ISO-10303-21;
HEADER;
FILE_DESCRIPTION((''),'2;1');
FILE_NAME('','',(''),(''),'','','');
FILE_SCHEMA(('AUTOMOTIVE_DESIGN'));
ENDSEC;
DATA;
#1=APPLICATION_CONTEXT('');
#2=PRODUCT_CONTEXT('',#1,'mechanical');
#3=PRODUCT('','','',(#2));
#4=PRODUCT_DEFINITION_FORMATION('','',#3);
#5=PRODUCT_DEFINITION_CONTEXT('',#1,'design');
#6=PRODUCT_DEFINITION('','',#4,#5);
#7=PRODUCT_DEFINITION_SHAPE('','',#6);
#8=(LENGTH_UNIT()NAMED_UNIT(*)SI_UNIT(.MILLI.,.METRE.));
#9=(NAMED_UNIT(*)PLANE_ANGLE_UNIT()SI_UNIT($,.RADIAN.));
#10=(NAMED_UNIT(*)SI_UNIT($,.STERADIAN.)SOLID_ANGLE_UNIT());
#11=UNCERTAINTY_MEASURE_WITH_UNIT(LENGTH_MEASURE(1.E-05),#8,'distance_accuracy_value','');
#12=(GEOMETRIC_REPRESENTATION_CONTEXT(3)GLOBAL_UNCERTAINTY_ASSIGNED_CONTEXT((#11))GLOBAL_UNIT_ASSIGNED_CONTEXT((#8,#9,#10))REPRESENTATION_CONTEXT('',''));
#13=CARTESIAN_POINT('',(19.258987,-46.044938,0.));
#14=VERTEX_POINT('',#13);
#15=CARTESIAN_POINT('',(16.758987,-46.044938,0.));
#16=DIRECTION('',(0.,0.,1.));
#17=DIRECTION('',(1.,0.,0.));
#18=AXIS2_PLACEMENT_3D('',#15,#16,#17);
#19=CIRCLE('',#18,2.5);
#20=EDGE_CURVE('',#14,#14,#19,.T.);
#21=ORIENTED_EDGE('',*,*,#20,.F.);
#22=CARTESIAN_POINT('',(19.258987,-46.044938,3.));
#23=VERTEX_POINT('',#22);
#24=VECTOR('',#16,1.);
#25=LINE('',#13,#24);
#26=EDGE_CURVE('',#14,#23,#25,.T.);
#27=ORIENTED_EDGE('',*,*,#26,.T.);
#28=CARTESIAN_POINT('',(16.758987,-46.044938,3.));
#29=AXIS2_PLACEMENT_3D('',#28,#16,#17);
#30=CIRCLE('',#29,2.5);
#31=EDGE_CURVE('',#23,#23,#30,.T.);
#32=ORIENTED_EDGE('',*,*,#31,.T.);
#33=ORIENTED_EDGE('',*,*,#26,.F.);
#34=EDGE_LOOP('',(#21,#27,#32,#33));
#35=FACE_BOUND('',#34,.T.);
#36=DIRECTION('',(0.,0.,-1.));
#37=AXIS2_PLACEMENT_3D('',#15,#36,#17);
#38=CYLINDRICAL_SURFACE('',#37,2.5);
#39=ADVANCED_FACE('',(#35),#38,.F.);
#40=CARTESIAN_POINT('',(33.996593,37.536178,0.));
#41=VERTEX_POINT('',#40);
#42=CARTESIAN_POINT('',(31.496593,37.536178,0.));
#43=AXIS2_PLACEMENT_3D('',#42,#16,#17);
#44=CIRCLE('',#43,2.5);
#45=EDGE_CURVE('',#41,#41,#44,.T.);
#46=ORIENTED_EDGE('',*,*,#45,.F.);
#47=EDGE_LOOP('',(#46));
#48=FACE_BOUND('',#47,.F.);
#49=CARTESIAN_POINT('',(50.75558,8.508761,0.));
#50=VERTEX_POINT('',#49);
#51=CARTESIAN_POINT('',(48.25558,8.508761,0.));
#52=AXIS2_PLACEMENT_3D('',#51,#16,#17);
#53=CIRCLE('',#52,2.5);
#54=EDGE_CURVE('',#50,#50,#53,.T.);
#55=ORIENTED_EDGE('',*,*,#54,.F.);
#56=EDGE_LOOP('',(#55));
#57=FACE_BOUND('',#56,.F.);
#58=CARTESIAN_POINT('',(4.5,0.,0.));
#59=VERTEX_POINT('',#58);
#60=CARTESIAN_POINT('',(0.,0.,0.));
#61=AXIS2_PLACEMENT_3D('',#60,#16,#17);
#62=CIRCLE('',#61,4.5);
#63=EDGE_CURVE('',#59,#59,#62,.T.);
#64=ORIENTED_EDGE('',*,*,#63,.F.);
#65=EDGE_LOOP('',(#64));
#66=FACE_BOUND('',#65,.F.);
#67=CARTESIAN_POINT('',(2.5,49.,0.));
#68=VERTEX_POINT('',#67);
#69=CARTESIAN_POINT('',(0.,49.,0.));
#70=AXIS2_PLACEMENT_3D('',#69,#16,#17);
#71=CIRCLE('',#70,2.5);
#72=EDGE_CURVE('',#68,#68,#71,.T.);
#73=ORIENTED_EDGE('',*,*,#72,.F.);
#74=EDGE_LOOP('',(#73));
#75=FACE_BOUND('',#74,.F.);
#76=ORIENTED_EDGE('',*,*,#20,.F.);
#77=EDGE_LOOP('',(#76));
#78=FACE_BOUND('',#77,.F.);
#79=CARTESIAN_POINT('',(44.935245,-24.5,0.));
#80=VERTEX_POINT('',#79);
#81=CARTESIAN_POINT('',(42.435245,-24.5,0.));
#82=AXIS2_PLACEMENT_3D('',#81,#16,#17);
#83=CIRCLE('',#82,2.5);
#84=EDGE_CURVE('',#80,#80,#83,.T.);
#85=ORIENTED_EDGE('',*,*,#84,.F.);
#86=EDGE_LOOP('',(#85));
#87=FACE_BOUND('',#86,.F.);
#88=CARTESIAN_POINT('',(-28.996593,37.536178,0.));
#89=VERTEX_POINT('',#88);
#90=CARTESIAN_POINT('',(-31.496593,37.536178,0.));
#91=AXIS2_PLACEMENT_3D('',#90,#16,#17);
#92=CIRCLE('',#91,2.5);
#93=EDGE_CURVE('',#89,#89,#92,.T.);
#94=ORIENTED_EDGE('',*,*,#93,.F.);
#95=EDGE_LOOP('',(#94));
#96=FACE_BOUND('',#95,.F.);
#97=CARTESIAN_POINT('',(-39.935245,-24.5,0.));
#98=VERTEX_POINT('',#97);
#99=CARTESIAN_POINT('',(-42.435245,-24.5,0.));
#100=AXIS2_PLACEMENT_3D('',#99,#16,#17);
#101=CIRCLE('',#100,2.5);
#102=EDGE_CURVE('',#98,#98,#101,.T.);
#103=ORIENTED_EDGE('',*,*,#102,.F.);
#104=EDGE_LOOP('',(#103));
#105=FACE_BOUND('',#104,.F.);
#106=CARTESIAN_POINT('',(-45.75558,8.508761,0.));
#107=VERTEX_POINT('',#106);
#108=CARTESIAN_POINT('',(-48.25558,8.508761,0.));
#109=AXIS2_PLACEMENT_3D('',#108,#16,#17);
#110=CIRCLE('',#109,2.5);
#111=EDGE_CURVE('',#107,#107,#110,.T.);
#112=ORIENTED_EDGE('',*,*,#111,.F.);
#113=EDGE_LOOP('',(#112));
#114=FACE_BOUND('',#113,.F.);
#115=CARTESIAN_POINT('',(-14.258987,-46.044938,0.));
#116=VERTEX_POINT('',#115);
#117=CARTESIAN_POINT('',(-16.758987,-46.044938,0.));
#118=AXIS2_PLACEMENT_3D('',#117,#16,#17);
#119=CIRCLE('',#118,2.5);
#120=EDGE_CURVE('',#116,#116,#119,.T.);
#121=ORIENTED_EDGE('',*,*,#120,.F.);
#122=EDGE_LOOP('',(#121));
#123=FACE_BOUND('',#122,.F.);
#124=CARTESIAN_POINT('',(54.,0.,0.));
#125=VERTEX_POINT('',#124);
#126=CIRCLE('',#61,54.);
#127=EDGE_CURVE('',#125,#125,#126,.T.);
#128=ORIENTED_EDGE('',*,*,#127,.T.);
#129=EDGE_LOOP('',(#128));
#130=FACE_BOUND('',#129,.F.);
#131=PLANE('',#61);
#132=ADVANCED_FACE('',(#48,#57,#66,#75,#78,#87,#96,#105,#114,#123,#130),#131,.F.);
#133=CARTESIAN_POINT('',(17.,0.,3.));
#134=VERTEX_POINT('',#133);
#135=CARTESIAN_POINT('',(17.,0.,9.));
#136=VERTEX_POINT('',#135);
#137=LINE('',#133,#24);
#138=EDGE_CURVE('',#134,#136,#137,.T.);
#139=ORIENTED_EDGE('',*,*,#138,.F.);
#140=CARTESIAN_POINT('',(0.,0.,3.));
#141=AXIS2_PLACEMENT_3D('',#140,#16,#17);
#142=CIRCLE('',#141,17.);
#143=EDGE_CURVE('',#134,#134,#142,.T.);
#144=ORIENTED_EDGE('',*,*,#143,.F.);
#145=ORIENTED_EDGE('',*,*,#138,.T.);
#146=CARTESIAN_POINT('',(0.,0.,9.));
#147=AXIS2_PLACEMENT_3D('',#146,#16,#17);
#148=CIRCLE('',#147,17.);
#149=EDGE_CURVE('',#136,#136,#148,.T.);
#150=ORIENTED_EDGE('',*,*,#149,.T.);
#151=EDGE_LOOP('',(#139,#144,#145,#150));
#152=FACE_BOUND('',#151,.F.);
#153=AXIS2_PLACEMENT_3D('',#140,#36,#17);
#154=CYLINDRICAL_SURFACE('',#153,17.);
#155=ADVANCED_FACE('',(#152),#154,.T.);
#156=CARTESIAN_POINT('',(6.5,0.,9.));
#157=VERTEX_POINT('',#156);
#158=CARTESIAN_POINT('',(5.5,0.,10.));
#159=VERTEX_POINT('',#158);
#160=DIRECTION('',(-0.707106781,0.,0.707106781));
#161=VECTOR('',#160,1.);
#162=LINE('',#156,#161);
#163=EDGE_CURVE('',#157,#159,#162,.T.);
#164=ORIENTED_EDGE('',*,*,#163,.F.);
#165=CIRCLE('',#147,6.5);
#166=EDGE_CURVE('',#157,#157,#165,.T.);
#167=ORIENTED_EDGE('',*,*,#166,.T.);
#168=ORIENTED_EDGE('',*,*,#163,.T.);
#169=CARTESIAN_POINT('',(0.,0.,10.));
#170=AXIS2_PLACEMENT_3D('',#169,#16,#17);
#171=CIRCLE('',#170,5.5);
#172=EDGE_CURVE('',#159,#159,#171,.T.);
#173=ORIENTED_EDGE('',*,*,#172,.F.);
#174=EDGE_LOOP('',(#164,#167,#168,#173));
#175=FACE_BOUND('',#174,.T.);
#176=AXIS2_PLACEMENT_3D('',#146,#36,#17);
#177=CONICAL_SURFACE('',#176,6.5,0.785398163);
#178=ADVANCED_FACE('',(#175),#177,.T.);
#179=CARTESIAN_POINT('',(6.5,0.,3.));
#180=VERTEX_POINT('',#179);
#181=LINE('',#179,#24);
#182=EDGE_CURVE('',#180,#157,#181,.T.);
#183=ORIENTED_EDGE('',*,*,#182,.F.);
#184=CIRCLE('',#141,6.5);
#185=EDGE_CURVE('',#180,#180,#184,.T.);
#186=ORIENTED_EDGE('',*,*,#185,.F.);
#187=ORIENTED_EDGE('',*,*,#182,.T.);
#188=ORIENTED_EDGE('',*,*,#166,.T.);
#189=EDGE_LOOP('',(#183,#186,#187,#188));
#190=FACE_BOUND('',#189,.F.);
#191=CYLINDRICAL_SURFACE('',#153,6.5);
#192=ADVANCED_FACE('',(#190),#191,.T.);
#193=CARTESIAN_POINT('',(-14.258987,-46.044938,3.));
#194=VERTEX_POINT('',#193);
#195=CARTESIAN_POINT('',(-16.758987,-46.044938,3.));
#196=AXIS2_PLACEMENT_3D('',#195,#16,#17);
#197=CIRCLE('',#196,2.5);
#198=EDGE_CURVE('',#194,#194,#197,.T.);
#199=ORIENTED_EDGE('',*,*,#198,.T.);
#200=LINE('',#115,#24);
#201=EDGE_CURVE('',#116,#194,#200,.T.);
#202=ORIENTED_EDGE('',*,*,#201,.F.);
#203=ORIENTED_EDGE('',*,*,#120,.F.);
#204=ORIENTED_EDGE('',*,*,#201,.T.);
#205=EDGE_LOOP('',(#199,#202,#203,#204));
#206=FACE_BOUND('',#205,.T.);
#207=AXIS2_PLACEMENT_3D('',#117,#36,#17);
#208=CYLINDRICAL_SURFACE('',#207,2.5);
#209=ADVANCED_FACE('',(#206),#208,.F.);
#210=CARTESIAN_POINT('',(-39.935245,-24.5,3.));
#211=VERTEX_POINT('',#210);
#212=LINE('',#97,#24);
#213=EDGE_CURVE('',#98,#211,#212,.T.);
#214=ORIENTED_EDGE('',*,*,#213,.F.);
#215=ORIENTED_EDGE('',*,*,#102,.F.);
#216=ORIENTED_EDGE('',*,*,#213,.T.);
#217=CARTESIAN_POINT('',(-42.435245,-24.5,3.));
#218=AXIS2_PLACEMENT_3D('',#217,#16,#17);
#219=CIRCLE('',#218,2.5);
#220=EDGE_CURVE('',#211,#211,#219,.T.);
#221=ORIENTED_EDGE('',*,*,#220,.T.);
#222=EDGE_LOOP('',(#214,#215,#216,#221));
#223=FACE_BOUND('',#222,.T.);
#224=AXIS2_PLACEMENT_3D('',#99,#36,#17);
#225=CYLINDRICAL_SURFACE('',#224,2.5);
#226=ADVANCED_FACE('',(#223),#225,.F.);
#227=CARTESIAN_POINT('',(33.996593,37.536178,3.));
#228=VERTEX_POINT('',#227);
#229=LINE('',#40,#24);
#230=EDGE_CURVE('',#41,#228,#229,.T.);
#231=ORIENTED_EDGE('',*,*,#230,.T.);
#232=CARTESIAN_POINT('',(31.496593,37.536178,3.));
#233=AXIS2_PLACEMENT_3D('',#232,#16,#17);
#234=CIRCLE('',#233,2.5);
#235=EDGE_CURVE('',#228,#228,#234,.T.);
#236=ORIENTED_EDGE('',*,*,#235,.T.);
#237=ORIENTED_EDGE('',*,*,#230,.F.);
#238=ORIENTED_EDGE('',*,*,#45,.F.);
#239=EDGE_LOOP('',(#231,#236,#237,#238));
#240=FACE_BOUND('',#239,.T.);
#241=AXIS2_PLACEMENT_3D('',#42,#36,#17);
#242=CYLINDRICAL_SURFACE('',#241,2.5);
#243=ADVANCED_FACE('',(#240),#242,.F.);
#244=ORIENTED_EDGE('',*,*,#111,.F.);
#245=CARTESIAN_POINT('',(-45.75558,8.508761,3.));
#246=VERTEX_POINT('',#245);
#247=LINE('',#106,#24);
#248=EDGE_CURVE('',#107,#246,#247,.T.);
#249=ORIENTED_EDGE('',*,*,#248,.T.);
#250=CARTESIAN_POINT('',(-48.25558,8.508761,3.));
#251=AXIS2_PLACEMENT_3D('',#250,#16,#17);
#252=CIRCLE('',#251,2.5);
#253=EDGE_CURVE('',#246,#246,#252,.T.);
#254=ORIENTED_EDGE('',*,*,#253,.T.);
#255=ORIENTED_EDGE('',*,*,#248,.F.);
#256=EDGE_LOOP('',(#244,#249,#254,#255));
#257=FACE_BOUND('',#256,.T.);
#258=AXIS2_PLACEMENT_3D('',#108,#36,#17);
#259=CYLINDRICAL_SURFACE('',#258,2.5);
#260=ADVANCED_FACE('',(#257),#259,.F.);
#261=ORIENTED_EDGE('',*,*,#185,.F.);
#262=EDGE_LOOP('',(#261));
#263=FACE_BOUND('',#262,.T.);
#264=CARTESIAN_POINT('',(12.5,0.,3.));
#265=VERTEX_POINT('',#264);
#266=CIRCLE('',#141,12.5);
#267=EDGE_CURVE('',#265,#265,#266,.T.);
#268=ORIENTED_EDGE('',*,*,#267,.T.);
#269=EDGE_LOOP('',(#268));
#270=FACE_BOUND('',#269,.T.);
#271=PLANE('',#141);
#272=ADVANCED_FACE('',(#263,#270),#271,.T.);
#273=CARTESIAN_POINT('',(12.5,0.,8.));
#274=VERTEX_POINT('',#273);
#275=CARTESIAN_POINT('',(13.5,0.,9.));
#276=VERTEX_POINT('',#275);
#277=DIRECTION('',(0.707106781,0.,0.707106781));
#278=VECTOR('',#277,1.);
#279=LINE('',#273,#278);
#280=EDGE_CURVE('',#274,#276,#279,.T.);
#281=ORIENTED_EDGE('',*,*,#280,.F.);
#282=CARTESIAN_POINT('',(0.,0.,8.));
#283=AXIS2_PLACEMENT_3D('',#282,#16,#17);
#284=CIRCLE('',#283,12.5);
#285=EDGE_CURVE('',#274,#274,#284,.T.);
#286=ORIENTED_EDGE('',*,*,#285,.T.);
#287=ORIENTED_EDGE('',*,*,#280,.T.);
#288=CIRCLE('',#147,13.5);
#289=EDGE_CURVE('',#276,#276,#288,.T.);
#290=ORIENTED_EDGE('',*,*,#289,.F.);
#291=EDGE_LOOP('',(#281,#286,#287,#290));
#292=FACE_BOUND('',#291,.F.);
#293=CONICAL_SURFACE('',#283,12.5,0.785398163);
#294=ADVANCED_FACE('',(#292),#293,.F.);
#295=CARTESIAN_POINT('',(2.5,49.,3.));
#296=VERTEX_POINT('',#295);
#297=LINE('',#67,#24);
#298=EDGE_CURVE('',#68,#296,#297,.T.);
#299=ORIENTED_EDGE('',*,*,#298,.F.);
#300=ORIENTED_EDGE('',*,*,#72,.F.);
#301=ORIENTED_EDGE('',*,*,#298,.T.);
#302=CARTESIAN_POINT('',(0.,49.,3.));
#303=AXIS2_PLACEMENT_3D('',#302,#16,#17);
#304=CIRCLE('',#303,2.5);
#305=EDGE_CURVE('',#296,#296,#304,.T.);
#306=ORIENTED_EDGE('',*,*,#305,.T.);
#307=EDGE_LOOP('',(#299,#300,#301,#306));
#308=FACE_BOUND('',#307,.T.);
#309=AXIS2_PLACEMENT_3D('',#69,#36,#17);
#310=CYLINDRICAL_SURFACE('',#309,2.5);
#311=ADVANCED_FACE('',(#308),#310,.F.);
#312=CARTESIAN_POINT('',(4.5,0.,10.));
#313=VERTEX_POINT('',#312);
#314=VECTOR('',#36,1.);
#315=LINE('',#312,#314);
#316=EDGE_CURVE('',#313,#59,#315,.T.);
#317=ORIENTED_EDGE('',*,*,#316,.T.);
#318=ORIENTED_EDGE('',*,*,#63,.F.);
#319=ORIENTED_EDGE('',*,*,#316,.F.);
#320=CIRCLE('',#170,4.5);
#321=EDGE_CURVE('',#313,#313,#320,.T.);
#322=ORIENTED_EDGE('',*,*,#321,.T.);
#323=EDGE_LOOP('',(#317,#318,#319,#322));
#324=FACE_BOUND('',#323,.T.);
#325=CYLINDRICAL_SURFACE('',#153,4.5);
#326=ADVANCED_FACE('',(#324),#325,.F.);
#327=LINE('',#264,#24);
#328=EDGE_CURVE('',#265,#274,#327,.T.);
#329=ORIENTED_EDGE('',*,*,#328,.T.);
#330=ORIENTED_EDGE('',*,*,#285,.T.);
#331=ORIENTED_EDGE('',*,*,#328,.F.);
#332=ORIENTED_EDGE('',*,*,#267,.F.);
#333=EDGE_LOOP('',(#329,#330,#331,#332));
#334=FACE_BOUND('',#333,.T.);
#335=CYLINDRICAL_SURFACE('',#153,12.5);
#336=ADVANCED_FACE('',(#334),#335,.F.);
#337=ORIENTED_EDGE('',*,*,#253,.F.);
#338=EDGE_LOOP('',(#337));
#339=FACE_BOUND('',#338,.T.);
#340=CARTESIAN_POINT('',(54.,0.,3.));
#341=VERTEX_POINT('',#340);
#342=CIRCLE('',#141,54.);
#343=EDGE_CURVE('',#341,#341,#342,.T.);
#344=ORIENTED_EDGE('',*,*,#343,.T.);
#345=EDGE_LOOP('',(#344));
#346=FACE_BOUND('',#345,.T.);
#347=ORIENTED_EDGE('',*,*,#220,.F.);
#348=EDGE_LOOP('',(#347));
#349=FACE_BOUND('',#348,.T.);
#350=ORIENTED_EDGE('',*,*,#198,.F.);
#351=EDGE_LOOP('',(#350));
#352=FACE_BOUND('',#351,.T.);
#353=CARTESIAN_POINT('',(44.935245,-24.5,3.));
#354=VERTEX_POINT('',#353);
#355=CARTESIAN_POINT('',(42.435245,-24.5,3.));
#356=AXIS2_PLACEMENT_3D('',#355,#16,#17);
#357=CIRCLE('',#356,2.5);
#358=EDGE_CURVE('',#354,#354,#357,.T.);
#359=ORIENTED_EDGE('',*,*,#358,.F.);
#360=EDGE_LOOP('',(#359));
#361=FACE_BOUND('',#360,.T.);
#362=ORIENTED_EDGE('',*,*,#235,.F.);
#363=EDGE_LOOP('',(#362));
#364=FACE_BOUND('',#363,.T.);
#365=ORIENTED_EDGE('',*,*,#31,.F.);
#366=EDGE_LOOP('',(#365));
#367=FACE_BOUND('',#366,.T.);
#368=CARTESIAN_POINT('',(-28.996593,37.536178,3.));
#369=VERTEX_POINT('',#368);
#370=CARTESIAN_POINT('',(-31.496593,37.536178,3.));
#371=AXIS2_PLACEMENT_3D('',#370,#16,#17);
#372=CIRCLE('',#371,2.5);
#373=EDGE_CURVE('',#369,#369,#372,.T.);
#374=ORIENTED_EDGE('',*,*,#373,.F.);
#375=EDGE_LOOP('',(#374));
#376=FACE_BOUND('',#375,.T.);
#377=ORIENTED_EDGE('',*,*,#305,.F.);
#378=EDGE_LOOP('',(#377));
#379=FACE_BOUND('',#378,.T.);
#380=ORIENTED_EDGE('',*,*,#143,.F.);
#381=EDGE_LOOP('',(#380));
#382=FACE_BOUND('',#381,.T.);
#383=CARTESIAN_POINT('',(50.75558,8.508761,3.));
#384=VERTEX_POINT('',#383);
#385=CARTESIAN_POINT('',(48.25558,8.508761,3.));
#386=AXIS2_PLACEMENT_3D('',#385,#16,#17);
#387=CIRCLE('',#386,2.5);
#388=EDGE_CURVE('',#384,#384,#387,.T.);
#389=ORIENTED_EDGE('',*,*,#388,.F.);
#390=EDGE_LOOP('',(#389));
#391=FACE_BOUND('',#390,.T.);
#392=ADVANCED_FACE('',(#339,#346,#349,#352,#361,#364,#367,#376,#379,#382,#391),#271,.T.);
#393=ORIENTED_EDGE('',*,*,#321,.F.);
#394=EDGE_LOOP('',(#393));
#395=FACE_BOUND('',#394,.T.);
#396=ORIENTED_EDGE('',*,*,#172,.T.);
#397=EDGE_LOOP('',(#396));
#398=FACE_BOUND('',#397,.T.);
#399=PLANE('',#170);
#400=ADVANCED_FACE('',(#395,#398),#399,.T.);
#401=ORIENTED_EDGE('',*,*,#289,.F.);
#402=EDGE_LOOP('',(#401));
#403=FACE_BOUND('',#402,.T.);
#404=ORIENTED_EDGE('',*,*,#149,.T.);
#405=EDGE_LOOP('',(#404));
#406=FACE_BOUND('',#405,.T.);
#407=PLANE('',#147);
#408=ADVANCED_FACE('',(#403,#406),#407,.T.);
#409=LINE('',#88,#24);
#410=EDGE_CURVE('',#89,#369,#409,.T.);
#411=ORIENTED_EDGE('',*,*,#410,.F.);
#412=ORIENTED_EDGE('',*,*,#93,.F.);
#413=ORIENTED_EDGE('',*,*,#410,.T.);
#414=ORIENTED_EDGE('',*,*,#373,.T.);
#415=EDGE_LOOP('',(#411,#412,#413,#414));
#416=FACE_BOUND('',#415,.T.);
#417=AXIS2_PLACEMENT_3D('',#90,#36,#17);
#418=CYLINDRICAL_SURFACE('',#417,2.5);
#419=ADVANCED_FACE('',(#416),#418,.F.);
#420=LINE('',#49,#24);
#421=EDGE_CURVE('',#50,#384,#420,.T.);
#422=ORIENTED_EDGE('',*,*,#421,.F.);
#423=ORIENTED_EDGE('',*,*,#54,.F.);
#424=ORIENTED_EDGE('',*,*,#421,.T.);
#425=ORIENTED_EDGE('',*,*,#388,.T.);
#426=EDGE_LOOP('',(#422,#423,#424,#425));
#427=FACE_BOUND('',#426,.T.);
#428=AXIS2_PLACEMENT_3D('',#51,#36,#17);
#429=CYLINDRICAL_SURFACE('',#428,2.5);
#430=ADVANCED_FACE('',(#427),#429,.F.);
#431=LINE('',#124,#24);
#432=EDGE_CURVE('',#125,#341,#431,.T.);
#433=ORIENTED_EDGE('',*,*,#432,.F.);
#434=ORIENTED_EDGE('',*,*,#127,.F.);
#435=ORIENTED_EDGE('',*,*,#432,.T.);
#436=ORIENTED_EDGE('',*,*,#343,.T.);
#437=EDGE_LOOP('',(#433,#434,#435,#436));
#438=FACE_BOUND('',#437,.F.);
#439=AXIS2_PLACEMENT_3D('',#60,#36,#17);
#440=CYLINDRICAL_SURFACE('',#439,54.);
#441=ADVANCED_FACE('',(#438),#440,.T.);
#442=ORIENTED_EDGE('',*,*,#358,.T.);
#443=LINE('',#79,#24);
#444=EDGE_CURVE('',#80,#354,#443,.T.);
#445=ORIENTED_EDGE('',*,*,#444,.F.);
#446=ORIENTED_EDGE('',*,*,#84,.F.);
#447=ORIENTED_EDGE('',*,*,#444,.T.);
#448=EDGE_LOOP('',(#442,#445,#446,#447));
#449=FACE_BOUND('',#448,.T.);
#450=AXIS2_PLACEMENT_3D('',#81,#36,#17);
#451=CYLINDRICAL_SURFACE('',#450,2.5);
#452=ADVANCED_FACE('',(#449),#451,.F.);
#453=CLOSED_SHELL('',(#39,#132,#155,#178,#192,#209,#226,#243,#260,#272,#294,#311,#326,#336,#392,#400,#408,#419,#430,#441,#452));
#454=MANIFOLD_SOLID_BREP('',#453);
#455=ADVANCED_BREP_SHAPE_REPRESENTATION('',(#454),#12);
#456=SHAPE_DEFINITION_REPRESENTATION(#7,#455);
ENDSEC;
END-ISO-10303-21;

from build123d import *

# Parameters (mm, degrees)
SKETCH_R        = 54
SKETCH_R_2      = 4.5
SKETCH_R_3      = 2.5
PAD_DEPTH       = 3
SKETCH001_R     = 6.5
SKETCH001_R_2   = 4.5
PAD001_DEPTH    = 7
CHAMFER_SIZE    = 1
SKETCH002_R     = 17
SKETCH002_R_2   = 12.5
PAD002_DEPTH    = 6
CHAMFER001_SIZE = 1


with BuildPart() as part:
    # Sketch → Pad (new body)
    with BuildSketch(Plane.XY):
        Circle(SKETCH_R)
        Circle(SKETCH_R_2, mode=Mode.SUBTRACT)
        with Locations((0, 49)):
            Circle(SKETCH_R_3, mode=Mode.SUBTRACT)
        with Locations((48.25558, 8.508761)):
            Circle(SKETCH_R_3, mode=Mode.SUBTRACT)
        with Locations((42.435245, -24.5)):
            Circle(SKETCH_R_3, mode=Mode.SUBTRACT)
        with Locations((16.758987, -46.044938)):
            Circle(SKETCH_R_3, mode=Mode.SUBTRACT)
        with Locations((-16.758987, -46.044938)):
            Circle(SKETCH_R_3, mode=Mode.SUBTRACT)
        with Locations((-42.435245, -24.5)):
            Circle(SKETCH_R_3, mode=Mode.SUBTRACT)
        with Locations((-48.25558, 8.508761)):
            Circle(SKETCH_R_3, mode=Mode.SUBTRACT)
        with Locations((-31.496593, 37.536178)):
            Circle(SKETCH_R_3, mode=Mode.SUBTRACT)
        with Locations((31.496593, 37.536178)):
            Circle(SKETCH_R_3, mode=Mode.SUBTRACT)
    extrude(amount=PAD_DEPTH)

    # Sketch001 (on Face13 of Pad) → Pad001 (join)
    with BuildSketch(Plane.XY.offset(3)):
        Circle(SKETCH001_R)
        Circle(SKETCH001_R_2, mode=Mode.SUBTRACT)
    extrude(amount=PAD001_DEPTH)

    # Chamfer
    chamfer_edges = [part.edges().sort_by_distance(p)[0] for p in [
        (-6.5, 0, 10),
    ]]
    chamfer(chamfer_edges, length=CHAMFER_SIZE)

    # Sketch002 (on Face3 of Chamfer) → Pad002 (join)
    with BuildSketch(Plane.XY.offset(3)):
        Circle(SKETCH002_R)
        Circle(SKETCH002_R_2, mode=Mode.SUBTRACT)
    extrude(amount=PAD002_DEPTH)

    # Chamfer001
    chamfer001_edges = [part.edges().sort_by_distance(p)[0] for p in [
        (-12.5, 0, 9),
    ]]
    chamfer(chamfer001_edges, length=CHAMFER001_SIZE)


solid = part.part
